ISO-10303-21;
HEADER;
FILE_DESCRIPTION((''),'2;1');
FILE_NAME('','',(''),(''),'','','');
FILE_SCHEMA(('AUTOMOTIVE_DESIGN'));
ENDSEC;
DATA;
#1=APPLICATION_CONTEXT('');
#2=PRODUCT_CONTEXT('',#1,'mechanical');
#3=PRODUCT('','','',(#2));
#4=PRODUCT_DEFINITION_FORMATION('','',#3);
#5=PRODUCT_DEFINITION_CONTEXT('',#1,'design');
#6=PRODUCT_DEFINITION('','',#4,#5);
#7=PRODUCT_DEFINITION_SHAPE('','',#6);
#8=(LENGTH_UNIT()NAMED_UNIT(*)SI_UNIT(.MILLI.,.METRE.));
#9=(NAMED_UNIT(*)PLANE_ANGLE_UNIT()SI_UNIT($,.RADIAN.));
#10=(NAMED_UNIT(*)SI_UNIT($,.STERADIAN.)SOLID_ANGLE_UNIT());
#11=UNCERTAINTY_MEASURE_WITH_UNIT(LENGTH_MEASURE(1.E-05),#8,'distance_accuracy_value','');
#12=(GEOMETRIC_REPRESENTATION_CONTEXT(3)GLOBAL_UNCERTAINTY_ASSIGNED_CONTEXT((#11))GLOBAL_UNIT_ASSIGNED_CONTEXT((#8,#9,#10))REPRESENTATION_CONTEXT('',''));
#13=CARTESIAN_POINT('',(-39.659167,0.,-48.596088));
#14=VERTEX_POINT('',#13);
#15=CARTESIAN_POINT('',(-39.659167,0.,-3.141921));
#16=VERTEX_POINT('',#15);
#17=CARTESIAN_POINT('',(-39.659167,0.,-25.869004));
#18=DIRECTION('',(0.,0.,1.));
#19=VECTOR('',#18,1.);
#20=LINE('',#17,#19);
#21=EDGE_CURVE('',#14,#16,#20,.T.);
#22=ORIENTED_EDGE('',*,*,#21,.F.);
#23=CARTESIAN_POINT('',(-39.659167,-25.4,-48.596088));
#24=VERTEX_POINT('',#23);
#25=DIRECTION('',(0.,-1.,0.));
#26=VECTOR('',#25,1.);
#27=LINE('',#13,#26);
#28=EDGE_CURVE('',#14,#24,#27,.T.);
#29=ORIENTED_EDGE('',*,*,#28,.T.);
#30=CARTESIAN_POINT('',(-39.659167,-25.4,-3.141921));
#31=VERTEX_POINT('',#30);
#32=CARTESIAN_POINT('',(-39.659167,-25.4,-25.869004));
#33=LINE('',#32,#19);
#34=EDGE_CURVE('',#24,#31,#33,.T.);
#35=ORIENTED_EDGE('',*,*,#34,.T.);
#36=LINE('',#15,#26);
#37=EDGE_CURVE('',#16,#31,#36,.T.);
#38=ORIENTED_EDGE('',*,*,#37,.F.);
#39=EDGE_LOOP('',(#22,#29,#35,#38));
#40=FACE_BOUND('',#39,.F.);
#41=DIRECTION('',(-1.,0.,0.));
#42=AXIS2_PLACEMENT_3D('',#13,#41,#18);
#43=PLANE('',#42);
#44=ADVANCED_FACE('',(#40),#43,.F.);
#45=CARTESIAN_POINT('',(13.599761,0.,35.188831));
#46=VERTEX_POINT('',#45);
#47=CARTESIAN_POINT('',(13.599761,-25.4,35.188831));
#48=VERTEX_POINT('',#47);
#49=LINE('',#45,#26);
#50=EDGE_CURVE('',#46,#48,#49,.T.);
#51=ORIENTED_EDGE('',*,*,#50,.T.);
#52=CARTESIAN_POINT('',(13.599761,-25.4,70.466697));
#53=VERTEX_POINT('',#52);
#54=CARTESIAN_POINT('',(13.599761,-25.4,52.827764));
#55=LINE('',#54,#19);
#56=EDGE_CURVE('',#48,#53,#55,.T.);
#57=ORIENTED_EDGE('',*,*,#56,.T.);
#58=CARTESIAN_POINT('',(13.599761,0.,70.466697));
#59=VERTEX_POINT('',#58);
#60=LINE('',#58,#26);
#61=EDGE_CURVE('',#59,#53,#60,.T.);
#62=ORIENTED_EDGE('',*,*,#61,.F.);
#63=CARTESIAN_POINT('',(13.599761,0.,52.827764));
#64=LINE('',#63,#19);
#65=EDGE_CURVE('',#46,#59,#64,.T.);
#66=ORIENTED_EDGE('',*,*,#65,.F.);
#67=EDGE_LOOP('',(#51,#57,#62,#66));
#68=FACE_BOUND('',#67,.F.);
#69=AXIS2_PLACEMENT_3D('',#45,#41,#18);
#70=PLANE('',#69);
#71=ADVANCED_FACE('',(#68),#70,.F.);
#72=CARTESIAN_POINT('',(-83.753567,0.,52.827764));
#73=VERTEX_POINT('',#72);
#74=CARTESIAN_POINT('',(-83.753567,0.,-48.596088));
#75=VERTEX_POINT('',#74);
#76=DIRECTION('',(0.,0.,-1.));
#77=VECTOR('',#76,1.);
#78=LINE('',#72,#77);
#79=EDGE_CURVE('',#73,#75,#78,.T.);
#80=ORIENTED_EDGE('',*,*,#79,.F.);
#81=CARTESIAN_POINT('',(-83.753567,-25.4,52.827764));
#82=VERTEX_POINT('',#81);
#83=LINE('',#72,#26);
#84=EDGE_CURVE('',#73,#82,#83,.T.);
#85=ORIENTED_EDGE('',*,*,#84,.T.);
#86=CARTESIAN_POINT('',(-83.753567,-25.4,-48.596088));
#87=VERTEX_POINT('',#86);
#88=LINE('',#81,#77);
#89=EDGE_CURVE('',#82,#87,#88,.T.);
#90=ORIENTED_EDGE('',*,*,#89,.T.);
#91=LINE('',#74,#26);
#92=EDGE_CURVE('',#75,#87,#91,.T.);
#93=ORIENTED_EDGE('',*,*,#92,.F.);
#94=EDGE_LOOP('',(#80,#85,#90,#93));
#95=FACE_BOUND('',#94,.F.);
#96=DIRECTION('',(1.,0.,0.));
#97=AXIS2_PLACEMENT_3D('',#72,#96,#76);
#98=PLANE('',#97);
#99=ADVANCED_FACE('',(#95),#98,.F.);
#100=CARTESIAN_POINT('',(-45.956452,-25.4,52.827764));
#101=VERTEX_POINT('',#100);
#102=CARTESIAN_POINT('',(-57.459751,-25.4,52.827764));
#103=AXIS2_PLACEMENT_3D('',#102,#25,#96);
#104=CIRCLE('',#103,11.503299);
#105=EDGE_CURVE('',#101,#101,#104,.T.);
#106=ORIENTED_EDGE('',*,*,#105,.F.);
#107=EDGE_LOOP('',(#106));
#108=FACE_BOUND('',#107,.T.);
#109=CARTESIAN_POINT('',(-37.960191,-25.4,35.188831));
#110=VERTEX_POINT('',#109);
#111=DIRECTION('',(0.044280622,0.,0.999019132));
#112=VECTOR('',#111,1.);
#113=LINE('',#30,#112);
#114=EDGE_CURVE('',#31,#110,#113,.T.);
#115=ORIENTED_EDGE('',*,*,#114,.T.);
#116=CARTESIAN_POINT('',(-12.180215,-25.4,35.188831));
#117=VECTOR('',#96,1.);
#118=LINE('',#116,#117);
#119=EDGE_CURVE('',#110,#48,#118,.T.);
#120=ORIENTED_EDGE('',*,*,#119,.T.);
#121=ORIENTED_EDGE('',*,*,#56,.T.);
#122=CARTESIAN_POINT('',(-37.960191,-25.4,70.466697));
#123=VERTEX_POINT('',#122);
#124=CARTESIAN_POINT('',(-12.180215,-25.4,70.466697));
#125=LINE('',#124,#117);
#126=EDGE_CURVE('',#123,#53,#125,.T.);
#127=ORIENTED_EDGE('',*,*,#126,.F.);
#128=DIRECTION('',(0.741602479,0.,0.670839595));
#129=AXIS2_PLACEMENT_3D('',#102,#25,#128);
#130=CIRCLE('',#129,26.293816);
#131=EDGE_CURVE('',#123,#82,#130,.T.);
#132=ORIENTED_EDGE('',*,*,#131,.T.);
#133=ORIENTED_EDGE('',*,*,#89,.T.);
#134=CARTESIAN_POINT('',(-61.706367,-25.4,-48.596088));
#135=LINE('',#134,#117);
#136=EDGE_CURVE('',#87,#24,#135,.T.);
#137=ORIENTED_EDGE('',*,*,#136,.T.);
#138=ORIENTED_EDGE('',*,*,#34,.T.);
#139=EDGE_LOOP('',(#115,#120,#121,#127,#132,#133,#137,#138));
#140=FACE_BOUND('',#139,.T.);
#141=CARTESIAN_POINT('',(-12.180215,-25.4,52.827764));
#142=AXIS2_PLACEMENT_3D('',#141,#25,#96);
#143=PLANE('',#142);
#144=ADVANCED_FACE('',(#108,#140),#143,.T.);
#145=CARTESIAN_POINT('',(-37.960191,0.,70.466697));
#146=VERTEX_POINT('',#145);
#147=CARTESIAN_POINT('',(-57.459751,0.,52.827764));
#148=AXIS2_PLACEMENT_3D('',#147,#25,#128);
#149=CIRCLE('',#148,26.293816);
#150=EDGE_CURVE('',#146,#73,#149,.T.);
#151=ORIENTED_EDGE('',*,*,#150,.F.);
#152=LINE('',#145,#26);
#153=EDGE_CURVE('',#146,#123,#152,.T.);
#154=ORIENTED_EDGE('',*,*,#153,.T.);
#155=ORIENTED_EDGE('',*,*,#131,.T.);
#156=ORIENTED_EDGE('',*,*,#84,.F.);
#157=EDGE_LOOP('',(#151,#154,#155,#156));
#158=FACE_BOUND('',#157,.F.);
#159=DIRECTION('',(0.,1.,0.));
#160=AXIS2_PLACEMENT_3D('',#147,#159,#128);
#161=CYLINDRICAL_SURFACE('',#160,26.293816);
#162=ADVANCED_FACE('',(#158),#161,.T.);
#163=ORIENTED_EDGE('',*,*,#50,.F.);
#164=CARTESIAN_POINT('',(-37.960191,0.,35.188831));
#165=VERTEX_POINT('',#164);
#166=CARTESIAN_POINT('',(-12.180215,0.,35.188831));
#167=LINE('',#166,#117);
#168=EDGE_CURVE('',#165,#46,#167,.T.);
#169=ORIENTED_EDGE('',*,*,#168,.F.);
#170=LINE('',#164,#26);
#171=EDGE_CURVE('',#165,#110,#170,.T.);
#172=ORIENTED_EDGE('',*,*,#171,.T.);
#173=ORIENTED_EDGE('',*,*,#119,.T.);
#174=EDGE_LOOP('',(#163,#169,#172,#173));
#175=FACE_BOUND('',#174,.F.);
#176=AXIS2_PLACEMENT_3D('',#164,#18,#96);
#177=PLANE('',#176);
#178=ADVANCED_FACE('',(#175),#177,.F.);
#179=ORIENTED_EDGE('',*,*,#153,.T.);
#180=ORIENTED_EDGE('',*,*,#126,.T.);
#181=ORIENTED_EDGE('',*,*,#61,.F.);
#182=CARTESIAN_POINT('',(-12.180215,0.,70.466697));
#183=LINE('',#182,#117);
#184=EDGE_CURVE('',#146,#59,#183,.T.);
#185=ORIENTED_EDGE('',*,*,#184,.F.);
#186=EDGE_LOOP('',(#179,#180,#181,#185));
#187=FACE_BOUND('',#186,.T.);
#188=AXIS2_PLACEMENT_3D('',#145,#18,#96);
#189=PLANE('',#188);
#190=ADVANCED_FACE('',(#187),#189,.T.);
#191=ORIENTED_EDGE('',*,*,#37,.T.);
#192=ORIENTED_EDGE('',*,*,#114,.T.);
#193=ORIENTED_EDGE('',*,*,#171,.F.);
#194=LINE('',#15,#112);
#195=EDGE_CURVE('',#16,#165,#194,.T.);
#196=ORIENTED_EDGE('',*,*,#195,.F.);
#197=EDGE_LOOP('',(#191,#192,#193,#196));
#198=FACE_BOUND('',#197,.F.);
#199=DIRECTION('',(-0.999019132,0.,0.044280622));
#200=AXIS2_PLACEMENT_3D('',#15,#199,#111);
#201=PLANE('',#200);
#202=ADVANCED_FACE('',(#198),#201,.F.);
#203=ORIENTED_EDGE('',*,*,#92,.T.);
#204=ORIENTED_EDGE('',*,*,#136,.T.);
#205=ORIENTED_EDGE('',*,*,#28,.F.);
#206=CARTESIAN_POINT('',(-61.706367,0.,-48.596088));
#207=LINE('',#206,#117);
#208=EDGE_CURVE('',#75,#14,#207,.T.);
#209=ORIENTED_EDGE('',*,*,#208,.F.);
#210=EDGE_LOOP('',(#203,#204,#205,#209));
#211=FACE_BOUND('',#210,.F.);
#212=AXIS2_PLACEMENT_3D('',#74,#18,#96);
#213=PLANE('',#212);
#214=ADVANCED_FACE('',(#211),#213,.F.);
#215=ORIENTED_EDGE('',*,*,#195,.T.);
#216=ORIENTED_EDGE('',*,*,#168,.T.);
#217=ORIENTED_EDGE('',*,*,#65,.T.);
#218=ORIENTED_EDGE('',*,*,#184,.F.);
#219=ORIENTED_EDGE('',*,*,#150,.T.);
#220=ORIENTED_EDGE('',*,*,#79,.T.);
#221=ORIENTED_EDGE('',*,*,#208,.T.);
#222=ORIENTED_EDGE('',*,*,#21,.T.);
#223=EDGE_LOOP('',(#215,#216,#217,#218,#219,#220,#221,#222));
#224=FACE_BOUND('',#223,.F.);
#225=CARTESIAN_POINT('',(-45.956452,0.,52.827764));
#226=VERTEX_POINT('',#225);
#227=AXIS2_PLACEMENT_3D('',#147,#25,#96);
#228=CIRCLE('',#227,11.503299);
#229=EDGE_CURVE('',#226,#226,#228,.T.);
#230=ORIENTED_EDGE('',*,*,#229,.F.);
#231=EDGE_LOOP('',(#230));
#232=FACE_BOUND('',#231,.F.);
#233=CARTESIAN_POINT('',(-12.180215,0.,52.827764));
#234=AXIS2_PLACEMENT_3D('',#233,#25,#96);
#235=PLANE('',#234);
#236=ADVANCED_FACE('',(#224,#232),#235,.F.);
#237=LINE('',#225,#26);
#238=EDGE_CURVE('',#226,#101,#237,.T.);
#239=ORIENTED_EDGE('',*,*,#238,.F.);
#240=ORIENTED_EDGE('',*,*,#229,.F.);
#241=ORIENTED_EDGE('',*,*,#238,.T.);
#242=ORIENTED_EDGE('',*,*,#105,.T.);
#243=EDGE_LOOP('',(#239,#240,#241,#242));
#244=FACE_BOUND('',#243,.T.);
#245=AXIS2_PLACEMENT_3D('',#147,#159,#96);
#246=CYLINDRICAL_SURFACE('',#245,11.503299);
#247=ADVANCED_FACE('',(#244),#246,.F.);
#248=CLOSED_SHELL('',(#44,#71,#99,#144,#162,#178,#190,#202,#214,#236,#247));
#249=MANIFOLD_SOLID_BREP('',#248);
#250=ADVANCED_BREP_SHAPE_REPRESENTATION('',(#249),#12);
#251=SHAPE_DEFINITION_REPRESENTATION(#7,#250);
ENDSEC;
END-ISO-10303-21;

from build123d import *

# Parameters (mm, degrees)
F0_W     = 51.559953
F0_H     = 35.277866
F0_R     = 11.503299
F0_W_2   = 44.0944
F0_H_2   = 45.454167
F1_DEPTH = 25.4


with BuildPart() as f1:
    # F0 (on Front) → F1 (new body)
    with BuildSketch(Plane.XZ):
        with Locations((-12.180215, 52.827764)):
            Rectangle(F0_W, F0_H)
        with BuildLine():
            Line((-83.753567, -3.141921), (-39.659167, -3.141921))
            Line((-39.659167, -3.141921), (-37.960191, 35.188831))
            Line((-37.960191, 35.188831), (-37.960191, 70.466697))
            ThreePointArc((-37.960191, 70.466697), (-66.91086, 77.364294), (-83.753567, 52.827764))
            Line((-83.753567, 52.827764), (-83.753567, -3.141921))
        make_face()
        with Locations((-57.459751, 52.827764)):
            Circle(F0_R, mode=Mode.SUBTRACT)
        with Locations((-61.706367, -25.869004)):
            Rectangle(F0_W_2, F0_H_2)
    extrude(amount=F1_DEPTH)


solid = f1.part
